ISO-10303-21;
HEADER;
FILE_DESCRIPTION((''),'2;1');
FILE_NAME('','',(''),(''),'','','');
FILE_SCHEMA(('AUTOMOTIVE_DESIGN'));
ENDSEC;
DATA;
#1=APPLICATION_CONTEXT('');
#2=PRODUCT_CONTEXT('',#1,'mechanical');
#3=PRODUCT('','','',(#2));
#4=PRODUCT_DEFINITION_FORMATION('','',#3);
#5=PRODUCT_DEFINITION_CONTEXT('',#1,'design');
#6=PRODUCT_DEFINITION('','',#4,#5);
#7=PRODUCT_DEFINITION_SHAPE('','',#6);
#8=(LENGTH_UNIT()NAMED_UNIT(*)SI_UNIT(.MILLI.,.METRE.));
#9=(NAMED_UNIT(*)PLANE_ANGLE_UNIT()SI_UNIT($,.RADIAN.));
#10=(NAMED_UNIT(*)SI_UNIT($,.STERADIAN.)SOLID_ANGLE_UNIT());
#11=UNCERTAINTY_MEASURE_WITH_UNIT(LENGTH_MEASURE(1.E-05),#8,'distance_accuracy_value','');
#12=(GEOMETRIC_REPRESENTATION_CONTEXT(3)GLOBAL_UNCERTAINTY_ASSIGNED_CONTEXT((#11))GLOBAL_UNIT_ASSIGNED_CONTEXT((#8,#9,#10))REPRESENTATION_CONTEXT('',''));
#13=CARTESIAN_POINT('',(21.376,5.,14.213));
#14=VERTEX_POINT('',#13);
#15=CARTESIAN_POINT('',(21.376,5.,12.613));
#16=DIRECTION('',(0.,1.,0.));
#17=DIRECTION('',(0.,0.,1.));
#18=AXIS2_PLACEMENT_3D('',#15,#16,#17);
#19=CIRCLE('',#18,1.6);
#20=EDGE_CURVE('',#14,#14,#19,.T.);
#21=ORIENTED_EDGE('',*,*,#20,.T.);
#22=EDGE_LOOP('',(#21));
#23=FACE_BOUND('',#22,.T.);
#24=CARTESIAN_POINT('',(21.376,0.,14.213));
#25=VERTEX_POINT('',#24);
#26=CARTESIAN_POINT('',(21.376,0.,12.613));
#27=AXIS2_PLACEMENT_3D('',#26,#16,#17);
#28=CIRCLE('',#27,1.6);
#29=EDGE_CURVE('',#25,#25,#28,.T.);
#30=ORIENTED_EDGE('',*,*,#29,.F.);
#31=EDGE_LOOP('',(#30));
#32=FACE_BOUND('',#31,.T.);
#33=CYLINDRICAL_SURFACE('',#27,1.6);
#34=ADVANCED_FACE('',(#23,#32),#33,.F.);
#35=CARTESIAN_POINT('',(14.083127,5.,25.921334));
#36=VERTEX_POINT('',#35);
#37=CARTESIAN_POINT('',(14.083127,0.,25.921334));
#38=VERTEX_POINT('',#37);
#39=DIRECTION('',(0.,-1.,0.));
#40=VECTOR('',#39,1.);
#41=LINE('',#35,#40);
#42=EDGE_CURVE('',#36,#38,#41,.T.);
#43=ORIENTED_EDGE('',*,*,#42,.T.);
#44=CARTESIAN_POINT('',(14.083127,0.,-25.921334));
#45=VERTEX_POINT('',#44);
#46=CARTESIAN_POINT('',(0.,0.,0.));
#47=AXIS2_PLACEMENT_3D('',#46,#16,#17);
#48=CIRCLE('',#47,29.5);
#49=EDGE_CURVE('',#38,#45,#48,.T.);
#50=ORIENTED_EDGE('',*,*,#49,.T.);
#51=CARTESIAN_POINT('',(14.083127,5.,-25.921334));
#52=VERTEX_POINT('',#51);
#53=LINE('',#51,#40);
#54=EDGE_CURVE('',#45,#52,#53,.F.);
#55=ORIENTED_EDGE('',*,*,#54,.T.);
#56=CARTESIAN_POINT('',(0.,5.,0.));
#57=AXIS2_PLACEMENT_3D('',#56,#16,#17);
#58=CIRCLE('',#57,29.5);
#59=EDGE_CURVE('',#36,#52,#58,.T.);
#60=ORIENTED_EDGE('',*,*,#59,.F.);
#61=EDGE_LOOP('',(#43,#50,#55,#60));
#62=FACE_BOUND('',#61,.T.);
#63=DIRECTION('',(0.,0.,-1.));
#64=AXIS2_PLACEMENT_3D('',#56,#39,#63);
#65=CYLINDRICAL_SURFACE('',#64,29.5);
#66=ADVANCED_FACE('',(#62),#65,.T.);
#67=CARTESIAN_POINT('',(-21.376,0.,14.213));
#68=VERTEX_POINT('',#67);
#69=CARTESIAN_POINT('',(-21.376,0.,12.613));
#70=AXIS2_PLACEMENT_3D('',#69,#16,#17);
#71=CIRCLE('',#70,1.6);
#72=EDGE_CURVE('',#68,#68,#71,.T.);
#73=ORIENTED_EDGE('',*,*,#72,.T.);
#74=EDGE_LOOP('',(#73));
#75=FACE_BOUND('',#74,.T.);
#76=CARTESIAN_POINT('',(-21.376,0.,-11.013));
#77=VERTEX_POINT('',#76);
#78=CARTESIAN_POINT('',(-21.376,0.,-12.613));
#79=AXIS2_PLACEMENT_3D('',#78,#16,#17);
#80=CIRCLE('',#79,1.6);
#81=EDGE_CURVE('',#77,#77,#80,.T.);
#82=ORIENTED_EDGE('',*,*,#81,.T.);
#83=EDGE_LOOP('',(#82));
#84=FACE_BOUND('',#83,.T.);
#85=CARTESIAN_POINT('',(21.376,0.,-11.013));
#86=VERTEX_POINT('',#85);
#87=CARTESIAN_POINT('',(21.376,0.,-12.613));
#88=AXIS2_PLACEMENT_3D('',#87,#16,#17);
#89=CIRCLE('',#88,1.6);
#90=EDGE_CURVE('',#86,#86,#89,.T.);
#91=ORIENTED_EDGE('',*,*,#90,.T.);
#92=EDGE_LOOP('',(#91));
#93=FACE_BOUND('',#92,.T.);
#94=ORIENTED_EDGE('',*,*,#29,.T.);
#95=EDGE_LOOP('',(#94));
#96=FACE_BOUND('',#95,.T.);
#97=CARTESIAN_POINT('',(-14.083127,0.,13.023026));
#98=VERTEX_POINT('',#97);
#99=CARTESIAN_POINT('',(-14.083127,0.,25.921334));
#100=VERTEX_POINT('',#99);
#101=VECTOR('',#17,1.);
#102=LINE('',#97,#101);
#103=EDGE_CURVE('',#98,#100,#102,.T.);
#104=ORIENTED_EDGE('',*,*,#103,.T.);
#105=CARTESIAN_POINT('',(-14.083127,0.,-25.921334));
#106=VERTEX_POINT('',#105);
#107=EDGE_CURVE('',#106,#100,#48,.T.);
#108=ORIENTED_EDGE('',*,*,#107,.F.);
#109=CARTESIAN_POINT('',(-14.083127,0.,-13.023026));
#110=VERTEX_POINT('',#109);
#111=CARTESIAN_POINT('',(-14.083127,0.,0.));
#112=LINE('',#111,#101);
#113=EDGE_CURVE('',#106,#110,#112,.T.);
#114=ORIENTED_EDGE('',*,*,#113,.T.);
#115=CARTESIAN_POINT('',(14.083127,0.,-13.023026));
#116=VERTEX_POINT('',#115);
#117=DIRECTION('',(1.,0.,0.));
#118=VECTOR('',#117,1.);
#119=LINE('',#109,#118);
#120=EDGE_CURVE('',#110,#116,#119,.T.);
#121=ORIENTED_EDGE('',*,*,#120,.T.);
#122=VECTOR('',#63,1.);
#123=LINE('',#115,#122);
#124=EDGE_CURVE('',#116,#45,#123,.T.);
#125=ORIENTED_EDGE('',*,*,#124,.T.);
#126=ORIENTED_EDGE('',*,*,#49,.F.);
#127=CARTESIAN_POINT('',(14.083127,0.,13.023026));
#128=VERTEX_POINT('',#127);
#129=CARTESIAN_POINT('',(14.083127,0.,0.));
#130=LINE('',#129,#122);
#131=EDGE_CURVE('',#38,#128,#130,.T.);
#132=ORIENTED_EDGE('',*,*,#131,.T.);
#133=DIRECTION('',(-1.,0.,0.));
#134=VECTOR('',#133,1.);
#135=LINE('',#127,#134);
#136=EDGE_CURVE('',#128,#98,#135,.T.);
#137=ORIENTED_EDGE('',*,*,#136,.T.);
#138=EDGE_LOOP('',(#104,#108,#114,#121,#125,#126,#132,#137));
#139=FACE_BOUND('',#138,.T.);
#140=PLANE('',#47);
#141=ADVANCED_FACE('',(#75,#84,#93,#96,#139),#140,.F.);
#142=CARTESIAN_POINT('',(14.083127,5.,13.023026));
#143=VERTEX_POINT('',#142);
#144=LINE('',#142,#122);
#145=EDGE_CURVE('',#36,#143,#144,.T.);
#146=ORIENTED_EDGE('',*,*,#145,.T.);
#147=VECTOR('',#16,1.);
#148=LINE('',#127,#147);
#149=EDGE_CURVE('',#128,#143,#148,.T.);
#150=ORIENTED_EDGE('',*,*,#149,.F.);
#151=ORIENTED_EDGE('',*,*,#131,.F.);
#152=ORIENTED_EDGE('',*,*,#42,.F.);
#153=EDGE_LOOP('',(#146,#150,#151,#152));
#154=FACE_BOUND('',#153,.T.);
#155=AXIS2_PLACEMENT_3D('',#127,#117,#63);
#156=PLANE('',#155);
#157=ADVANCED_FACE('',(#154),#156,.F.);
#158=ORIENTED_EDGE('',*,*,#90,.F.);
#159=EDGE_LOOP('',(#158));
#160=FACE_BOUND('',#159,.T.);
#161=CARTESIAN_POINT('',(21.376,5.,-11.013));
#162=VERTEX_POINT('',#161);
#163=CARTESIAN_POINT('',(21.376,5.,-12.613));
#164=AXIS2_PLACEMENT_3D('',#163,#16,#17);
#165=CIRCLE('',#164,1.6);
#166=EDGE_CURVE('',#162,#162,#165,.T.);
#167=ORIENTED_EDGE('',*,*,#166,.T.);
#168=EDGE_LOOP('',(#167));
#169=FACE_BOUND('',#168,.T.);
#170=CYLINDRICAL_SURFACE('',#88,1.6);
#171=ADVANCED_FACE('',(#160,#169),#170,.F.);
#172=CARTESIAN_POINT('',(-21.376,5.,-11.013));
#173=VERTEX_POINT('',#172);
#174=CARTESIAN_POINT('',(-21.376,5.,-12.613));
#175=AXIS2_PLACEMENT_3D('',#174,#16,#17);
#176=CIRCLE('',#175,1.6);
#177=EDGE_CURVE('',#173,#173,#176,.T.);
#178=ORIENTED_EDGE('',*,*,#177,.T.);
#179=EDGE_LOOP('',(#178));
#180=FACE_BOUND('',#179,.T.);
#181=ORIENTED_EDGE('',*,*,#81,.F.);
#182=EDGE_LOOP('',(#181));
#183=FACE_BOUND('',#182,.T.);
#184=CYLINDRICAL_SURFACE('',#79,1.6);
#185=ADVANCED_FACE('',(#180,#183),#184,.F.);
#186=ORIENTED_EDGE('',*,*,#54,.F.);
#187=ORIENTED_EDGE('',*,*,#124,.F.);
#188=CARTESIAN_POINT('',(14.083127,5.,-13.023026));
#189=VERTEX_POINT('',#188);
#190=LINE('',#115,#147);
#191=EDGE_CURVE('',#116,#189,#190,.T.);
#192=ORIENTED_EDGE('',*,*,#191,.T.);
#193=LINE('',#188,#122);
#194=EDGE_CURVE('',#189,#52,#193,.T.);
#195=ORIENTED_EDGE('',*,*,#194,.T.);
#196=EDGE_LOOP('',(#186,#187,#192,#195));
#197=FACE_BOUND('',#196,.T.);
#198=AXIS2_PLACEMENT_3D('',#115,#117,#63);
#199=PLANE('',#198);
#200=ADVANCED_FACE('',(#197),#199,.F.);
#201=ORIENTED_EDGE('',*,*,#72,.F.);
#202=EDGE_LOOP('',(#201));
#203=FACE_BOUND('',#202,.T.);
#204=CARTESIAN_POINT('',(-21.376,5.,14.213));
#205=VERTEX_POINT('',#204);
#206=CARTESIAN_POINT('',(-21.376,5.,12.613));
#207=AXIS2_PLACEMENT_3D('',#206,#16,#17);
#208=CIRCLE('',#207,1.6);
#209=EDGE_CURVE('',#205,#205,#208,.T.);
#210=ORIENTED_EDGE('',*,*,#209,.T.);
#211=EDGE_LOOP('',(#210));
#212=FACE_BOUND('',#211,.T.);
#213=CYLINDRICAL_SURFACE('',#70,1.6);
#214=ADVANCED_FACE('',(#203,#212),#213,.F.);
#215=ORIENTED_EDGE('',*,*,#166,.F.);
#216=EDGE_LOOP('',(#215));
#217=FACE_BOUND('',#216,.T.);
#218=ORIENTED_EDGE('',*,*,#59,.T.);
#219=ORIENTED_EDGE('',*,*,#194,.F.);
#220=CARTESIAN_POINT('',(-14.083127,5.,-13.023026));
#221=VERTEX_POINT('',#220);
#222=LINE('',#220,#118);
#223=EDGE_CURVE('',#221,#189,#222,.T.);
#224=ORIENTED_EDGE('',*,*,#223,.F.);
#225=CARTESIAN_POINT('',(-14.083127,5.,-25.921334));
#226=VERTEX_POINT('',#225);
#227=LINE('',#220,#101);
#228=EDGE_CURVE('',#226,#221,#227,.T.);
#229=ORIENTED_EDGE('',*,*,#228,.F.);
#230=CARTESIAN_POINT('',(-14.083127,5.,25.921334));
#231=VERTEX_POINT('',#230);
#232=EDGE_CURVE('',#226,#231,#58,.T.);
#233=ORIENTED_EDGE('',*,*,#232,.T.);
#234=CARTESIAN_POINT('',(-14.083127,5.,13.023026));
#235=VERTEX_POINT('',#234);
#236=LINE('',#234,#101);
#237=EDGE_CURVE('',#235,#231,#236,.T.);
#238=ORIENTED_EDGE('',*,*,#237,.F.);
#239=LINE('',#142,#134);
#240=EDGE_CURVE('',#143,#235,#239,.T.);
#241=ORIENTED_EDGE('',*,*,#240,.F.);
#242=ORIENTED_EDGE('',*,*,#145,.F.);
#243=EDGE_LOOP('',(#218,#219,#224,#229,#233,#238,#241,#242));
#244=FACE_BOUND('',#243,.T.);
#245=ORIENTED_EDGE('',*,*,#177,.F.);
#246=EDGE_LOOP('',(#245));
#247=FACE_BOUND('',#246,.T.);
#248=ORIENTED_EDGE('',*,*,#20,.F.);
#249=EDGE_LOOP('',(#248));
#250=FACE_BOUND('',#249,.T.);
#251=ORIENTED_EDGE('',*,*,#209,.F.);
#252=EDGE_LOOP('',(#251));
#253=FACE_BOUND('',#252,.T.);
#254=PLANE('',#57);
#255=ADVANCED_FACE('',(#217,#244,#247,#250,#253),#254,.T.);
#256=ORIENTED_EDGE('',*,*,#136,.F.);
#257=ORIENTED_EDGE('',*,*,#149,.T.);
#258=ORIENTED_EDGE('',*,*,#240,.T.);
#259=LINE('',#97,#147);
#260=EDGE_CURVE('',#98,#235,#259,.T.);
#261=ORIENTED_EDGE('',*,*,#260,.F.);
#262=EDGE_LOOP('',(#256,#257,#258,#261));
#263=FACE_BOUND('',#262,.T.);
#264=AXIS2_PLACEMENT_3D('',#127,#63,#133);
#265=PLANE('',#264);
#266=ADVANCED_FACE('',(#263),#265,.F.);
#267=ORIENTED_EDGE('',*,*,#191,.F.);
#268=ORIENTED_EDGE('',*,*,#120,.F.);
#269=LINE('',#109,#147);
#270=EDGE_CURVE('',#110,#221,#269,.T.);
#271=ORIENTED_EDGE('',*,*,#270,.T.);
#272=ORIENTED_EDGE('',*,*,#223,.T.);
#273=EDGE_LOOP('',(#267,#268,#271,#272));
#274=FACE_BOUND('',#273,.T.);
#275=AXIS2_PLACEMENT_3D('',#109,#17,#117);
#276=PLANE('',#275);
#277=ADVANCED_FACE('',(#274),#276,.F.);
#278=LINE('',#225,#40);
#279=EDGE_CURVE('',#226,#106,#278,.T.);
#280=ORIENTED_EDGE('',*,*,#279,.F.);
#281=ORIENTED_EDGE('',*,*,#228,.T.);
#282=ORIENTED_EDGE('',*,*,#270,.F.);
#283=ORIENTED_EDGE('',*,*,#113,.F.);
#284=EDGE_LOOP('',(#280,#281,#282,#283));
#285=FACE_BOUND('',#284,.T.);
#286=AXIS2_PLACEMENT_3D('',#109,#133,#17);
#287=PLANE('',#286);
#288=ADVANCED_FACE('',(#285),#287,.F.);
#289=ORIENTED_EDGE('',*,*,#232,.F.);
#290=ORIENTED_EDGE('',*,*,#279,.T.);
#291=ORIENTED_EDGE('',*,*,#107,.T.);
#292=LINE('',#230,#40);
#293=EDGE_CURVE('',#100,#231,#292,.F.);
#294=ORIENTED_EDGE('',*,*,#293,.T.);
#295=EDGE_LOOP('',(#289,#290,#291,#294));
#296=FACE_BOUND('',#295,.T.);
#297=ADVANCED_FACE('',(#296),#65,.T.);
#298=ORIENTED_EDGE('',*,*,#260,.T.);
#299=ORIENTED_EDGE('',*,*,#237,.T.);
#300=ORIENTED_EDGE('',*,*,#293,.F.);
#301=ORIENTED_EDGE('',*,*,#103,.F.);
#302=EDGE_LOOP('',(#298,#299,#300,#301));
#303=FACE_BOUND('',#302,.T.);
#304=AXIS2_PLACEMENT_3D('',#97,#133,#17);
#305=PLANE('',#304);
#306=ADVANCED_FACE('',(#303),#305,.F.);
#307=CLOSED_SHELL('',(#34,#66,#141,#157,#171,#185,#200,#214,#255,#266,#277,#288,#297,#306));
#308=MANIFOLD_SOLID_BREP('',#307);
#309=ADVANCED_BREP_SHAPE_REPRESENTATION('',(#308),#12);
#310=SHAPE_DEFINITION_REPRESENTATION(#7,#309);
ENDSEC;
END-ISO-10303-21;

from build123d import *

# Parameters (mm, degrees)
SKETCH_1_R          = 29.5
EXTRUDE_1_DEPTH     = 5
SKETCH_2_W          = 28.166253132
SKETCH_2_H          = 32.95394871
CUT_EXTRUDE_1_DEPTH = 43.017853348
SKETCH_6_R          = 1.6
CUT_EXTRUDE_5_DEPTH = 40.587441773


with BuildPart() as part:
    # 草图1 → 凸台-拉伸1 (new body)
    with BuildSketch(Plane(origin=(0, 0, 0), x_dir=(1, 0, 0), z_dir=(0, 1, 0))):
        with Locations(Location((0, 0, 0), (0, 0, 270))):
            Circle(SKETCH_1_R)
    extrude(amount=EXTRUDE_1_DEPTH)

    # 草图2 → 切除-拉伸1 (cut, through all)
    with BuildSketch(Plane(origin=(0, 5, 0), x_dir=(1, 0, 0), z_dir=(0, 1, 0))):
        with Locations((0, 29.5)):
            Rectangle(SKETCH_2_W, SKETCH_2_H)
        with Locations((0, -29.5)):
            Rectangle(SKETCH_2_W, SKETCH_2_H)
    extrude(amount=-CUT_EXTRUDE_1_DEPTH, mode=Mode.SUBTRACT)

    # 草图6 → 切除-拉伸5 (cut, through all)
    with BuildSketch(Plane(origin=(0, 5, 0), x_dir=(1, 0, 0), z_dir=(0, 1, 0))):
        with Locations(Location((-21.376, 12.613, 0), (0, 0, 270))):
            Circle(SKETCH_6_R)
        with Locations(Location((-21.376, -12.613, 0), (0, 0, 270))):
            Circle(SKETCH_6_R)
        with Locations(Location((21.376, 12.613, 0), (0, 0, 270))):
            Circle(SKETCH_6_R)
        with Locations(Location((21.376, -12.613, 0), (0, 0, 270))):
            Circle(SKETCH_6_R)
    extrude(amount=-CUT_EXTRUDE_5_DEPTH, mode=Mode.SUBTRACT)


solid = part.part
